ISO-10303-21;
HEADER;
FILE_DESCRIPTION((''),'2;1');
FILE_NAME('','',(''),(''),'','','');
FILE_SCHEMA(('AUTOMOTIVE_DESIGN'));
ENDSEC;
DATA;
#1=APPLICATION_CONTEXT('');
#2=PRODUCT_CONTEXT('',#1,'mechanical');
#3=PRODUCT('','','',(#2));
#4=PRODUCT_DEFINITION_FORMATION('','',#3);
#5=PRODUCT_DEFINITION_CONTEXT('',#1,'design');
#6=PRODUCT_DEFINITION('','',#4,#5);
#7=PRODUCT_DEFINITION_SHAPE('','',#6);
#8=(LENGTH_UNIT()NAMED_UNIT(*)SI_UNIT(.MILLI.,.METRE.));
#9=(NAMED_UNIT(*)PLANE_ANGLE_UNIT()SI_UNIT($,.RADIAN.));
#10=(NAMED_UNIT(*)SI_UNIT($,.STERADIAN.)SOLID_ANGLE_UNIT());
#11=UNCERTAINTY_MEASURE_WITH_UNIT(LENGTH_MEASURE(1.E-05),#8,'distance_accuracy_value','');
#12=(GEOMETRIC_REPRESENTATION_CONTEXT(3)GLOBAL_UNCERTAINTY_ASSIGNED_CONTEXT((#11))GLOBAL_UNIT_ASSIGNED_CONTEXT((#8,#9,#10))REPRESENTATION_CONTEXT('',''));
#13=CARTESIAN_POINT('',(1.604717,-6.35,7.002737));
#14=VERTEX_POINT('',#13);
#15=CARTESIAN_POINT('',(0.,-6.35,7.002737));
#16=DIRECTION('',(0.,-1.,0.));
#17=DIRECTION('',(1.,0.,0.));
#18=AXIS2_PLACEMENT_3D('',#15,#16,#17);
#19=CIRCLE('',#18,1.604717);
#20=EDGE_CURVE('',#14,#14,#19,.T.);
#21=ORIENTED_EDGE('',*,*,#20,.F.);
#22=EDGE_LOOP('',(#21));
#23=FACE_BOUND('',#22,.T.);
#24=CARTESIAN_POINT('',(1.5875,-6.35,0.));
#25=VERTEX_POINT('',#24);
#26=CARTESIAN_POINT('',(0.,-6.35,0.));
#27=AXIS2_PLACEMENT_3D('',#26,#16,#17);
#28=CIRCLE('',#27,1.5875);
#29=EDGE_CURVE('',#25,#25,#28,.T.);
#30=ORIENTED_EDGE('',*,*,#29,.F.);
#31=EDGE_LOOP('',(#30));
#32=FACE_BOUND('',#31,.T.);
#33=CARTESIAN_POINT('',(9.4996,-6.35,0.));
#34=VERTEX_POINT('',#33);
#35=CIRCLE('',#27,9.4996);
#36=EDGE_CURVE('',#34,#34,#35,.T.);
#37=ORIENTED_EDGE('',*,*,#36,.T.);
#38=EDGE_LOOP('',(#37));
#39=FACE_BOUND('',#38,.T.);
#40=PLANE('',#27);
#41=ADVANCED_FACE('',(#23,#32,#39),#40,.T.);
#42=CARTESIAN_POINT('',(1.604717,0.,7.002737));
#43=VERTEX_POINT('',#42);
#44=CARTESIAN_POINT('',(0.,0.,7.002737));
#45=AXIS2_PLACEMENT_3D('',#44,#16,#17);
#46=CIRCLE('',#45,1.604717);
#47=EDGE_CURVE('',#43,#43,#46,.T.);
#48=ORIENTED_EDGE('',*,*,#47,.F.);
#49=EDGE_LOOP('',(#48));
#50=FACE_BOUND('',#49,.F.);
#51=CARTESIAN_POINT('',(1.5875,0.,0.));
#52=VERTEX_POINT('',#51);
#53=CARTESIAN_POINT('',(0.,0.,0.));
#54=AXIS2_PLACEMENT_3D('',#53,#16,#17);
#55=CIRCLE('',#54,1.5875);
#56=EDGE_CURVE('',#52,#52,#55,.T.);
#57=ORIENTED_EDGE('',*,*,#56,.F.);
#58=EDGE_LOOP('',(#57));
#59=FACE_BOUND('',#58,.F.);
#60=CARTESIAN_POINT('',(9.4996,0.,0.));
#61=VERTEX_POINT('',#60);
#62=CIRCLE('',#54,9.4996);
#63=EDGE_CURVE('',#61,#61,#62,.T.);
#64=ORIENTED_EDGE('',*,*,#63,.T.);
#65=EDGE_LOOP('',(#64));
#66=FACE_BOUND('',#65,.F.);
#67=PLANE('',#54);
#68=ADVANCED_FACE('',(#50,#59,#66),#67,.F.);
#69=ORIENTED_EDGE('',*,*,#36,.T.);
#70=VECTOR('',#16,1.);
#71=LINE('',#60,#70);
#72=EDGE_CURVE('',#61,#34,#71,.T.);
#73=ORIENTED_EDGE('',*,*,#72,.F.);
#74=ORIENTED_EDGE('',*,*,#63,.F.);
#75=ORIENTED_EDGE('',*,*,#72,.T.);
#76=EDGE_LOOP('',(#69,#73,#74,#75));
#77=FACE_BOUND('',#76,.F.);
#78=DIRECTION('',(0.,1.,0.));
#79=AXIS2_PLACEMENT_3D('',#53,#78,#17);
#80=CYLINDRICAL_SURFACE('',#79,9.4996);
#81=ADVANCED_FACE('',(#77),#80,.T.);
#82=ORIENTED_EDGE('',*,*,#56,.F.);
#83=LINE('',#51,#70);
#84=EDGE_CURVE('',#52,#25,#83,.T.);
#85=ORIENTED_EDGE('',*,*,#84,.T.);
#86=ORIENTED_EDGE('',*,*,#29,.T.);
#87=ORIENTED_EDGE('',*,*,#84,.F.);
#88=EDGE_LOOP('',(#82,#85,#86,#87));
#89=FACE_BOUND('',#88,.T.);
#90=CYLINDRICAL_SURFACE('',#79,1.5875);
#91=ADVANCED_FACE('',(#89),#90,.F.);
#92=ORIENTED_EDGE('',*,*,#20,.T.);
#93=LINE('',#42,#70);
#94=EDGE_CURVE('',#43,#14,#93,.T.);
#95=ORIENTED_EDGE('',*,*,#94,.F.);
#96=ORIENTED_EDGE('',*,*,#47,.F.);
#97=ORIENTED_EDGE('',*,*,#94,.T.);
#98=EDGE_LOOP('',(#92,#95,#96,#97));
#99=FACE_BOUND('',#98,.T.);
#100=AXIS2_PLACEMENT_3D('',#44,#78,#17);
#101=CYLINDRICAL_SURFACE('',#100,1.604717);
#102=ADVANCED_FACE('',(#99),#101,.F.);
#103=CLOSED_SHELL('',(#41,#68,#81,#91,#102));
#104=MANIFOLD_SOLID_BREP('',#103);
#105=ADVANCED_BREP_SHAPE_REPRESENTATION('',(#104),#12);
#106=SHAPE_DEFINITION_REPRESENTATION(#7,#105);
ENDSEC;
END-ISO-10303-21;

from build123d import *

# Parameters (mm, degrees)
F0_R     = 9.4996
F0_R_2   = 1.5875
F0_R_3   = 1.604717
F1_DEPTH = 6.35


with BuildPart() as f1:
    # F0 (on Front) → F1 (new body)
    with BuildSketch(Plane.XZ):
        Circle(F0_R)
        Circle(F0_R_2, mode=Mode.SUBTRACT)
        with Locations((0, 7.002737)):
            Circle(F0_R_3, mode=Mode.SUBTRACT)
    extrude(amount=F1_DEPTH)


solid = f1.part
